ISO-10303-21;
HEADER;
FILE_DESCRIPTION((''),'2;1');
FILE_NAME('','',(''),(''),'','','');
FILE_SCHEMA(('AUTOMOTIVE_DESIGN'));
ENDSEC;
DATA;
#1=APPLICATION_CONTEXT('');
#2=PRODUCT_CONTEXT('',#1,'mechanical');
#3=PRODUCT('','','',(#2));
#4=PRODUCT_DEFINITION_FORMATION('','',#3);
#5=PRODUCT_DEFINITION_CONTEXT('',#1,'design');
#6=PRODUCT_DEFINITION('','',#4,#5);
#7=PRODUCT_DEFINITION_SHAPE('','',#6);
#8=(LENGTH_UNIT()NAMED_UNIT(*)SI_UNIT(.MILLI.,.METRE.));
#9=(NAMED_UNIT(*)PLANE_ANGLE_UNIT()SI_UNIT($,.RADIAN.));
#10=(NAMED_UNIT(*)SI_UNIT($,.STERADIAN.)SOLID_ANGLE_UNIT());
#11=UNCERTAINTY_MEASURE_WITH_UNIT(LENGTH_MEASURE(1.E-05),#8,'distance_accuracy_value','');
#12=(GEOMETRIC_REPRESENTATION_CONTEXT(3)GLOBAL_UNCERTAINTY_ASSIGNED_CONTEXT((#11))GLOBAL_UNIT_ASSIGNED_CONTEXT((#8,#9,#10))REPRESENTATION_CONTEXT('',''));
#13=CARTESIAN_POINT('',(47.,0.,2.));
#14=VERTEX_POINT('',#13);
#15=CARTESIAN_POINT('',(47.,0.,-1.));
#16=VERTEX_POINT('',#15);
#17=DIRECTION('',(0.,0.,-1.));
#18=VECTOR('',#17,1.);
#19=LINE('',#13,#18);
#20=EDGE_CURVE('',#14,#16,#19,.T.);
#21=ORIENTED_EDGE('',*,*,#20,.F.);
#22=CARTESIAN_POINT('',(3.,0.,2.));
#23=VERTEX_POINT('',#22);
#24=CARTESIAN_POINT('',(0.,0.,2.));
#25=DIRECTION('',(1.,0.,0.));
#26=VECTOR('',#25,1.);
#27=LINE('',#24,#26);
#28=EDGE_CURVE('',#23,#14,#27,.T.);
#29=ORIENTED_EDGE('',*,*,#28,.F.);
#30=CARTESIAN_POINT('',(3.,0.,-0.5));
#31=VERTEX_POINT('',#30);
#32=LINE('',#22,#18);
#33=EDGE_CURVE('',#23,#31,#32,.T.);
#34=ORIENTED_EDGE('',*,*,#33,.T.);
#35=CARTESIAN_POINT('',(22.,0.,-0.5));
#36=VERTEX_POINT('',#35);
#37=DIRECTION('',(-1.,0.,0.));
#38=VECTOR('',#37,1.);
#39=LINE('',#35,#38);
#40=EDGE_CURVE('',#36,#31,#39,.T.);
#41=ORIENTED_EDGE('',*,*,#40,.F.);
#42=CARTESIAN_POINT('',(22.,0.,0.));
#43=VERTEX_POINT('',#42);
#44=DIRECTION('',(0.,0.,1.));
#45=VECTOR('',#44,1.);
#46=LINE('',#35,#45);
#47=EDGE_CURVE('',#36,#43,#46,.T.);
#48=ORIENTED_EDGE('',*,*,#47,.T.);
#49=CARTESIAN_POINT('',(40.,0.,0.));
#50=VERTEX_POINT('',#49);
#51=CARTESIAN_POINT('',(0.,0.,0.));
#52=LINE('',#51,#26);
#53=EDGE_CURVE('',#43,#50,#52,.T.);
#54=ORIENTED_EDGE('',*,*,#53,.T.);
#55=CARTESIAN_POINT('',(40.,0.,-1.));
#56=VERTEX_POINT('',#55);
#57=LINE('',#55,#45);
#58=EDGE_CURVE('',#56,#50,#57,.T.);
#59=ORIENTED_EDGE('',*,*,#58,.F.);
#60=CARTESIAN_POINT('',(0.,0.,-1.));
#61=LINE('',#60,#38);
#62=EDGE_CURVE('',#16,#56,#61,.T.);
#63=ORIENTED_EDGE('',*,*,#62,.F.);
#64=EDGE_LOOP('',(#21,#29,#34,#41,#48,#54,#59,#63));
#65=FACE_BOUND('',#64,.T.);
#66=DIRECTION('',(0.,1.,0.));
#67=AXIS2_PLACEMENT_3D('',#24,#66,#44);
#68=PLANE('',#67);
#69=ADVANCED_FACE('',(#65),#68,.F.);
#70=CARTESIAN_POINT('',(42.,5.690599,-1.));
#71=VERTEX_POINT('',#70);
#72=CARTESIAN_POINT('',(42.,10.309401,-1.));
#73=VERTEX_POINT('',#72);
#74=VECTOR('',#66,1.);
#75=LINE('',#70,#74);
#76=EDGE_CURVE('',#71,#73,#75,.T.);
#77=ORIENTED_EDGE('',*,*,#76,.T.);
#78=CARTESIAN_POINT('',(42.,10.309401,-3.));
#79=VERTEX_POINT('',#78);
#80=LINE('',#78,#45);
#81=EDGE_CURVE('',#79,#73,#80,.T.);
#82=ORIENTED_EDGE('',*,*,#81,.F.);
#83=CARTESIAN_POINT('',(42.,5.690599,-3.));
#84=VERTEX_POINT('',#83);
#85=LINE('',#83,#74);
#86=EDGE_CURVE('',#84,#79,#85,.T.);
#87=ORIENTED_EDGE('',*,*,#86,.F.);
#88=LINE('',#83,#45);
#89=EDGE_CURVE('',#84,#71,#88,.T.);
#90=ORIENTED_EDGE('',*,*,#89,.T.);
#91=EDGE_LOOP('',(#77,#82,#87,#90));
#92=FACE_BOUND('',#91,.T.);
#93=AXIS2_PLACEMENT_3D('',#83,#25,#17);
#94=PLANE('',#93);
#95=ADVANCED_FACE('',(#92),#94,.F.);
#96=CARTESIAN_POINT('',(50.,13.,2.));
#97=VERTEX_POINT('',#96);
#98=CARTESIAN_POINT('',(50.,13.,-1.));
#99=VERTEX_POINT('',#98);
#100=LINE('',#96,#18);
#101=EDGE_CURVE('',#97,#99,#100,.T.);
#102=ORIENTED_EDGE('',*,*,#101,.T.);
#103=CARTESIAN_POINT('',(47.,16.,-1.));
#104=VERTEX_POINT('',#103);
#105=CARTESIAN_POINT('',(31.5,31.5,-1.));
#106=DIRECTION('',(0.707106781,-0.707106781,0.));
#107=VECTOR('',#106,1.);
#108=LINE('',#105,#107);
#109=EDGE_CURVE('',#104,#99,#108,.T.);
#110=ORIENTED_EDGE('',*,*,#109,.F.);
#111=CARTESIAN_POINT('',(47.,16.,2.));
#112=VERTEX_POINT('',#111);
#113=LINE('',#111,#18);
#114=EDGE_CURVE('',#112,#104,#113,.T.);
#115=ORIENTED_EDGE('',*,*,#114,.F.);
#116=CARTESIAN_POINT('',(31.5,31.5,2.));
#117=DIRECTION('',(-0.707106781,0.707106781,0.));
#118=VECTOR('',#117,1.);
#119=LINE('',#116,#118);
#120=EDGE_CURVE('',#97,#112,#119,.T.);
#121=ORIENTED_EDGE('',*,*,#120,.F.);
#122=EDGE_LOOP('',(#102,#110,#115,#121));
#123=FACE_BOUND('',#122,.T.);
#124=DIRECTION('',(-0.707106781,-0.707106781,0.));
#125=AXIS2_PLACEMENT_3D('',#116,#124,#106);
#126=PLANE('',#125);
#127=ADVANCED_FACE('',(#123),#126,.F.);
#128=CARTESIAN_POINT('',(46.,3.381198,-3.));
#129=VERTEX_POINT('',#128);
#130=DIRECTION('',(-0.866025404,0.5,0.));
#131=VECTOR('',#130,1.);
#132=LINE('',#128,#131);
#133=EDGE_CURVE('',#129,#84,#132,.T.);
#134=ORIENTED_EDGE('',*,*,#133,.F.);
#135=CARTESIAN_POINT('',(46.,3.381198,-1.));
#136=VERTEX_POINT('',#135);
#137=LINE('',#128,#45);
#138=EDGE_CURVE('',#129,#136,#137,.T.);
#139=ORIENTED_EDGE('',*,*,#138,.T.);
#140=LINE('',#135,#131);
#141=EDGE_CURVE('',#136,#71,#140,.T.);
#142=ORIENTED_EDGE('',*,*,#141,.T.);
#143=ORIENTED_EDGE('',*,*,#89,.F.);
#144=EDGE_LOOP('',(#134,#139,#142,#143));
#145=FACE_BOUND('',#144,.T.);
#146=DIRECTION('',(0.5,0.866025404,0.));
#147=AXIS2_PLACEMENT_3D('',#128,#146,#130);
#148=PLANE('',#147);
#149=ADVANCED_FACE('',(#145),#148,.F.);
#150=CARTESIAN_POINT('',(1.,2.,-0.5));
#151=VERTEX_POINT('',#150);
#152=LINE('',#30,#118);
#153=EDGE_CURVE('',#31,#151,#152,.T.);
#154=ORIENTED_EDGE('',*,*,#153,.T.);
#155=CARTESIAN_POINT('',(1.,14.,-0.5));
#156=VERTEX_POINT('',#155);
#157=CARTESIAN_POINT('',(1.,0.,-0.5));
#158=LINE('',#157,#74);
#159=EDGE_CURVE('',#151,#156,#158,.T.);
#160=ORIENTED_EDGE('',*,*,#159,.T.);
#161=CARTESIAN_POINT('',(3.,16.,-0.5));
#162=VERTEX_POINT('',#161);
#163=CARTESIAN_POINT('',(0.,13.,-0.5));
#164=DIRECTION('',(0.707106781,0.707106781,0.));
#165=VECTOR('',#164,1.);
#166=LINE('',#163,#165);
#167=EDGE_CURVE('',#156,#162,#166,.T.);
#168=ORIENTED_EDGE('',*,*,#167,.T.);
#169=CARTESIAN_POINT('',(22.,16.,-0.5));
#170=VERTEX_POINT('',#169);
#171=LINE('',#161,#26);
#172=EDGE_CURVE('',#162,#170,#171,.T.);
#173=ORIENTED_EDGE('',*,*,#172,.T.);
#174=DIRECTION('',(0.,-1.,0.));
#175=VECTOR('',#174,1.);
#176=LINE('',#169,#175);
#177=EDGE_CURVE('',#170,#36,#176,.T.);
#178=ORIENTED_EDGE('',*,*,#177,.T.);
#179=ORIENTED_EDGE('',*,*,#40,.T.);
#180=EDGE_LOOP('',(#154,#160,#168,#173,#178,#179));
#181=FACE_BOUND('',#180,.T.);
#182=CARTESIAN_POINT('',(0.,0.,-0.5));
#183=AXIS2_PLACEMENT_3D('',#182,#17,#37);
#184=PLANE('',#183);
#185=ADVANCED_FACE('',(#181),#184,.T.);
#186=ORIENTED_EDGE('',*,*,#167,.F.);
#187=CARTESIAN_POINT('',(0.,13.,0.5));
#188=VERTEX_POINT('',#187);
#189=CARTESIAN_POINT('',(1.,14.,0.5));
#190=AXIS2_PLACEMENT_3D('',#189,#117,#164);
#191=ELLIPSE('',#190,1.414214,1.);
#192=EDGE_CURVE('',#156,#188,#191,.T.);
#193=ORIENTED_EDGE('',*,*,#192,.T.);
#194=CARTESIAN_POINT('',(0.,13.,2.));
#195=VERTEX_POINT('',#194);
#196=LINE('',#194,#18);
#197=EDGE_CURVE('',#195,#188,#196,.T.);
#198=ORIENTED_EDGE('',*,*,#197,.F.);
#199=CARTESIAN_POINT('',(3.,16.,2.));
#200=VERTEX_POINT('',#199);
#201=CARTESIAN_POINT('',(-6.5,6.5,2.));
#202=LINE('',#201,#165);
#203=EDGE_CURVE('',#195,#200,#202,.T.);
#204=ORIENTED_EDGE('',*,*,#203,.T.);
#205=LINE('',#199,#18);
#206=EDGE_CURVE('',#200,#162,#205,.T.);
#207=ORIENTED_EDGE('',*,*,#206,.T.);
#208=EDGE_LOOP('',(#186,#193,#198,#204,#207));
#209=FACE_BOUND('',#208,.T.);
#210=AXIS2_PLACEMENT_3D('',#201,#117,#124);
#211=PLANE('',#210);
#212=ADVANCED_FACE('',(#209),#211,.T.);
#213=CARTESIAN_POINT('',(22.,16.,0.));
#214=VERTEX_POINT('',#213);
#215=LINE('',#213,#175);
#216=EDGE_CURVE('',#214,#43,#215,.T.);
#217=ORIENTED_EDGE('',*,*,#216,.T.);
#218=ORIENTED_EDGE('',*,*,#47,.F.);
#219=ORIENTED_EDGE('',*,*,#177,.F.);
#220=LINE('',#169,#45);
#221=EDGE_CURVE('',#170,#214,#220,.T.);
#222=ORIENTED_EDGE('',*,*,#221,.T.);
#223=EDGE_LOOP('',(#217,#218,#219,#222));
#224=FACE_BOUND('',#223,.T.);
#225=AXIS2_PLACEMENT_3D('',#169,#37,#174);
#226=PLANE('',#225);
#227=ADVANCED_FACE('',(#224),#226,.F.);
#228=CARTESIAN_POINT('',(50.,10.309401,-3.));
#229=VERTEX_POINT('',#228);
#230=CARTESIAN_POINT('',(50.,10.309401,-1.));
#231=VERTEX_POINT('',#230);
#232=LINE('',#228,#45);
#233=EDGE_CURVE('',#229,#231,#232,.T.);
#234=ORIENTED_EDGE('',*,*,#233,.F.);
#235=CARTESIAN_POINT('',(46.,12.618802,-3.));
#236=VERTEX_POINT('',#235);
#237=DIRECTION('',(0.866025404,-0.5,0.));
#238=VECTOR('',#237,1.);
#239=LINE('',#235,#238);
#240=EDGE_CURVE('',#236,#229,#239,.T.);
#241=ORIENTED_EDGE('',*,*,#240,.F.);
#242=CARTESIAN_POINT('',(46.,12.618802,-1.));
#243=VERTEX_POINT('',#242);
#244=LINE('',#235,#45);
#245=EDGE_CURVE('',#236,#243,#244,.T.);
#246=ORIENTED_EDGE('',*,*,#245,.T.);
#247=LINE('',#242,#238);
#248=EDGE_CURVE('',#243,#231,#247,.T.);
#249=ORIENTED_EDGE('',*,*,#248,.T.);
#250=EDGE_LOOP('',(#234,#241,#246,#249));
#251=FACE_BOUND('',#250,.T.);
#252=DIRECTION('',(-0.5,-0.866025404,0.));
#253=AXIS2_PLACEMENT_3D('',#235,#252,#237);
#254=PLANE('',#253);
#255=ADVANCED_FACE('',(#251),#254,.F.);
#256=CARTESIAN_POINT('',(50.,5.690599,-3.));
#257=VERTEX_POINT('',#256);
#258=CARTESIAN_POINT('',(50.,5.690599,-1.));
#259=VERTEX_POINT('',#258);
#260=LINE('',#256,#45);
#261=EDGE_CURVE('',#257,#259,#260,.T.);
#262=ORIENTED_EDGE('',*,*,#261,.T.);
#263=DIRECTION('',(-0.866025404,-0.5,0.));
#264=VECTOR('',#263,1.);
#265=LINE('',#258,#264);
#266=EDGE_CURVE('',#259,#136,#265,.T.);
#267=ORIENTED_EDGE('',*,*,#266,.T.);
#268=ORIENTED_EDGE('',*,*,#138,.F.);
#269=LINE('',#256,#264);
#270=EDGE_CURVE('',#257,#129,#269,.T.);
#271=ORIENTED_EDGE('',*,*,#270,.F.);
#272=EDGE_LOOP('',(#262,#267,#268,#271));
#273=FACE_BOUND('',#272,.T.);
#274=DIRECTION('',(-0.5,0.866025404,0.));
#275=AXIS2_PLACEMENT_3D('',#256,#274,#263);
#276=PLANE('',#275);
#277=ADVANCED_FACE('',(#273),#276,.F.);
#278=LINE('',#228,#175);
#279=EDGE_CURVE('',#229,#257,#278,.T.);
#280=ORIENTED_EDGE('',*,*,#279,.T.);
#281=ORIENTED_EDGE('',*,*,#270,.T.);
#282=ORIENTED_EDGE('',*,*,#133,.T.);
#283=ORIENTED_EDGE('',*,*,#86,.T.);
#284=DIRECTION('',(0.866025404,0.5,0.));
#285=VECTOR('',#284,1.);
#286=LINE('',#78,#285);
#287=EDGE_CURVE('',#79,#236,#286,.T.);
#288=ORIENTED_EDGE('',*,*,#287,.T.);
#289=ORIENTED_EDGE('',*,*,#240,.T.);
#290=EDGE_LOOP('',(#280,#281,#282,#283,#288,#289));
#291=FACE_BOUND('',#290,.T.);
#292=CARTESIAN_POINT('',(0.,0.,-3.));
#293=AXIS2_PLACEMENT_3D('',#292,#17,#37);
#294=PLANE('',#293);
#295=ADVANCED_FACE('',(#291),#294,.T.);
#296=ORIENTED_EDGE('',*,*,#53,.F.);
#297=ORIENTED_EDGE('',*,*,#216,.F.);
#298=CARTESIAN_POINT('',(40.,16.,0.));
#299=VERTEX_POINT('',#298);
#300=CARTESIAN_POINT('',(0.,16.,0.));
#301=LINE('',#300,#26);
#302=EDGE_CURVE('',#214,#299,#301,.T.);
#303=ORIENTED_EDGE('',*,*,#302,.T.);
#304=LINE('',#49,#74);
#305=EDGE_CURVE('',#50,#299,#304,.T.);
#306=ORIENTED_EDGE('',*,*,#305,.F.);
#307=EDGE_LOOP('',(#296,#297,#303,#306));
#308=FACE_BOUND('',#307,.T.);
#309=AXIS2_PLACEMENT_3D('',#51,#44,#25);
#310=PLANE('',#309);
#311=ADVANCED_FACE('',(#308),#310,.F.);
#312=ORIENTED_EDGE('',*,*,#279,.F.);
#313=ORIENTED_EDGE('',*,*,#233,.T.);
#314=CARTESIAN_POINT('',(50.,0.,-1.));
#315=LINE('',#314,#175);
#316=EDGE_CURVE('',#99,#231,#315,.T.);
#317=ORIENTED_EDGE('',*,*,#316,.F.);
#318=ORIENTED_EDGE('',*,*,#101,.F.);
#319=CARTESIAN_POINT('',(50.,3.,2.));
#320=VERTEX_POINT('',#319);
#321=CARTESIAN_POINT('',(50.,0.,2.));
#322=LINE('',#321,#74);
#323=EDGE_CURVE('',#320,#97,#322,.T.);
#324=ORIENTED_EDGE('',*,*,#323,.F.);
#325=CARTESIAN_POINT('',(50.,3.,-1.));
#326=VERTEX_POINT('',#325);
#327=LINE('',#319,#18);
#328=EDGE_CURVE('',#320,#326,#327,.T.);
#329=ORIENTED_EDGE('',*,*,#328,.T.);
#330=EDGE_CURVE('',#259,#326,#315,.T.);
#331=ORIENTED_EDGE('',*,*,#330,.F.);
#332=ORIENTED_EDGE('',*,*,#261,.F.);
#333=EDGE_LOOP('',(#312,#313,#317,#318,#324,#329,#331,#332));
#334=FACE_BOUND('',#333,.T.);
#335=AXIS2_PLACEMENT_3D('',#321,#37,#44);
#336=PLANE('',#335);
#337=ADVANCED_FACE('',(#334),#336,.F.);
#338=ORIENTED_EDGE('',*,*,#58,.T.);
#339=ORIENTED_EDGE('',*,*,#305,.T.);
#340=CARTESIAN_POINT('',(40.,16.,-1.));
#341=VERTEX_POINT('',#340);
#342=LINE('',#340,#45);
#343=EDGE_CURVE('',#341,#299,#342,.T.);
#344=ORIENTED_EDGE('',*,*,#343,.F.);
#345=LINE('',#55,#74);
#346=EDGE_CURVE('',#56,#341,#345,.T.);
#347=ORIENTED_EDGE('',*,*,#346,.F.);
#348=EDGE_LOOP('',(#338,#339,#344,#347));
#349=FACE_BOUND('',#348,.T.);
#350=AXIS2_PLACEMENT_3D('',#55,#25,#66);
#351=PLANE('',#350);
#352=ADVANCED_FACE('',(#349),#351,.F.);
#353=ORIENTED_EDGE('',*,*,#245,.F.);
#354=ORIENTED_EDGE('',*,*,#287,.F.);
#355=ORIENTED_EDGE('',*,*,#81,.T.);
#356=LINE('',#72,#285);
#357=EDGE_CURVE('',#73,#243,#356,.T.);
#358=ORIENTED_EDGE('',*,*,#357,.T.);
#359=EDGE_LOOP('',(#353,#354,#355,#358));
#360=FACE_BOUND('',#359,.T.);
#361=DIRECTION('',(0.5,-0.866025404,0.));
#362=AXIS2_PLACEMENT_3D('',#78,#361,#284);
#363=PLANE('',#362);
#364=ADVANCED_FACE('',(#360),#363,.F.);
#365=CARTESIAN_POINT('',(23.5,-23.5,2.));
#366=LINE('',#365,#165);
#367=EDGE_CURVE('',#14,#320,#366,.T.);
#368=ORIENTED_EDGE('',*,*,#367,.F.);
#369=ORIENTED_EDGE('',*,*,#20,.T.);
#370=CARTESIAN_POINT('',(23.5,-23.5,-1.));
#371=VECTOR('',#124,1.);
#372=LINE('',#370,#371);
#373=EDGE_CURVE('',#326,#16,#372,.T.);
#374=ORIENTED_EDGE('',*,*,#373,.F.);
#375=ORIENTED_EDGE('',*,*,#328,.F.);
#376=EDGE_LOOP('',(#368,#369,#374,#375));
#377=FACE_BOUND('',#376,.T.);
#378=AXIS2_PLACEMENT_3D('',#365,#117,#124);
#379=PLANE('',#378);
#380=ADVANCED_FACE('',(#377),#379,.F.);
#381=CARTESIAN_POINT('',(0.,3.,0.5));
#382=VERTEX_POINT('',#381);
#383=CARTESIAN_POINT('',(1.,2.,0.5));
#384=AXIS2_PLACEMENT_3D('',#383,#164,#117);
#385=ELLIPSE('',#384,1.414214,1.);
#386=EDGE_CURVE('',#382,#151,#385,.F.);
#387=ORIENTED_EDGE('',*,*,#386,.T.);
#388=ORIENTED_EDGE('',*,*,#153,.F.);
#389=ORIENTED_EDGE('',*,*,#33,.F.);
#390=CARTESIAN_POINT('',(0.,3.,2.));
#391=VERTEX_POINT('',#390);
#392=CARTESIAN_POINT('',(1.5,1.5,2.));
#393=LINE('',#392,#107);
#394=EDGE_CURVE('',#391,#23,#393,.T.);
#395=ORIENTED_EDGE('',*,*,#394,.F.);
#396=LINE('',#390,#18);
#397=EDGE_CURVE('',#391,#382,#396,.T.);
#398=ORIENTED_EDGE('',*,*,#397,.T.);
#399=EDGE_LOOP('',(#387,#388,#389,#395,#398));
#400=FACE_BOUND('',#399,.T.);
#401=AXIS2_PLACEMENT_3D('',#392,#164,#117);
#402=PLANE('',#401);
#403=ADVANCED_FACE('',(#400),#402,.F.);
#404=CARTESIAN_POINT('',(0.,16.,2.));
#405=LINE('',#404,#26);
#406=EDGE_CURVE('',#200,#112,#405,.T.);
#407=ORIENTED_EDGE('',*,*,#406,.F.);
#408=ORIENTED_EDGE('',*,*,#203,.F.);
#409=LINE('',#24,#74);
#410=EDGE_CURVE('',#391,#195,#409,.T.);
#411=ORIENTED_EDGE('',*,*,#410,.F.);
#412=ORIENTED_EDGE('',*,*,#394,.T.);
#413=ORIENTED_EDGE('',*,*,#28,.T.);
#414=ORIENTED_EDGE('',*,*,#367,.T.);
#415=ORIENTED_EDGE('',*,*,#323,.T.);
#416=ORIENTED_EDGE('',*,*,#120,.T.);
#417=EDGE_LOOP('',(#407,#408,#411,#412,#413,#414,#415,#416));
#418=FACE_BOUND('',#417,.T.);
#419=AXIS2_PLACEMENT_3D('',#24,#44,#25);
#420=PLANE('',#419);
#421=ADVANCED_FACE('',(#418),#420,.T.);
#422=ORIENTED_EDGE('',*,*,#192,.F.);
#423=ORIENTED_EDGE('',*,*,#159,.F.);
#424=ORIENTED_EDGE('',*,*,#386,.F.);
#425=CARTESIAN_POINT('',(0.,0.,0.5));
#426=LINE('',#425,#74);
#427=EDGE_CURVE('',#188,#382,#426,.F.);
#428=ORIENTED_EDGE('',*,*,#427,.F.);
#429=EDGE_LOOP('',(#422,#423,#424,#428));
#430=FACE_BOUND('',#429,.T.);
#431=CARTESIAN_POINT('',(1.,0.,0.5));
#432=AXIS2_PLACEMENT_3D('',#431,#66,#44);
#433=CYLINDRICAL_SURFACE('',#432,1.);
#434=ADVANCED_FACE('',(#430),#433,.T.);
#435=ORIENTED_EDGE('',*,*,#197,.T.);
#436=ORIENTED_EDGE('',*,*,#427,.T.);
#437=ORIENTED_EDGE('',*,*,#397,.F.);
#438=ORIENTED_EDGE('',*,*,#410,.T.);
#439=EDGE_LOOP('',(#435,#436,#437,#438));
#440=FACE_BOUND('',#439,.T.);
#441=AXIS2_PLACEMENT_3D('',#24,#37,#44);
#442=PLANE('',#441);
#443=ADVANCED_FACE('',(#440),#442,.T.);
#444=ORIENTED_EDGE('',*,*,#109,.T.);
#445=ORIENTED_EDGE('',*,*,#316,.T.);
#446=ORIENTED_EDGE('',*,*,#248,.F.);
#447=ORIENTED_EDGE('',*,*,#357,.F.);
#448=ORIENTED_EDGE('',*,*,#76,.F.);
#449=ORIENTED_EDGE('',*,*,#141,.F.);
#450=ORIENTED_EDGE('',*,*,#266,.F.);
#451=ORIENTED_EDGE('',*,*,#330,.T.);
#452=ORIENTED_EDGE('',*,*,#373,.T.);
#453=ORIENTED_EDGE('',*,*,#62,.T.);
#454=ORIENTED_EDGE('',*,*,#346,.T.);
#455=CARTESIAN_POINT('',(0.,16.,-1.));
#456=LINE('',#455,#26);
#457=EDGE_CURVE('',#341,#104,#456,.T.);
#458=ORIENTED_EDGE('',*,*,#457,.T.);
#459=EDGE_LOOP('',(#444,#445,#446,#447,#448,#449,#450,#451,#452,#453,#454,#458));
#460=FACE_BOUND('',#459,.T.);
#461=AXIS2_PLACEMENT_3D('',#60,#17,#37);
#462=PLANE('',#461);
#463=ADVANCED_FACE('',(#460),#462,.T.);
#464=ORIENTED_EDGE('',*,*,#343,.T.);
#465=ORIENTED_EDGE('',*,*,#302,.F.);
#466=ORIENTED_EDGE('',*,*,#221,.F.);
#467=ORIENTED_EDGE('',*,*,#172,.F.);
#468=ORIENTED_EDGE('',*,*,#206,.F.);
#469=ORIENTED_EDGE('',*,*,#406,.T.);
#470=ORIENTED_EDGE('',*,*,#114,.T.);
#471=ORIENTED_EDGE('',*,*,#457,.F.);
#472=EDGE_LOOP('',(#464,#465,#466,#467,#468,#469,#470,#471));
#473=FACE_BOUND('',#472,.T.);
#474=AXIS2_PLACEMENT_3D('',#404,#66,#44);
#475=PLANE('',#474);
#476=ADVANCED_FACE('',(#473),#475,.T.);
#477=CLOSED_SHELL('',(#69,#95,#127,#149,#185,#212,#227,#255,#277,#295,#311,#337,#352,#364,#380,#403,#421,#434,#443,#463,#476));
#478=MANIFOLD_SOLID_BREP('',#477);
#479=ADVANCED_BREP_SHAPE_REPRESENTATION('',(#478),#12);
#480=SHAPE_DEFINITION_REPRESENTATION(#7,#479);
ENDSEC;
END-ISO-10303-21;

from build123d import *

# Parameters (mm, degrees)
EXTRUDE_1_DEPTH = 2
EXTRUDE_3_DEPTH = 0.5
FILLET_1_R      = 1
EXTRUDE_4_DEPTH = 1
EXTRUDE_5_DEPTH = 2


with BuildPart() as part:
    # 스케치1 → 보스-돌출1 (new body)
    with BuildSketch(Plane.XY):
        Polygon((3, 16), (0, 13), (0, 3), (3, 0), (47, 0), (50, 3), (50, 13), (47, 16), align=None)
    extrude(amount=EXTRUDE_1_DEPTH)

    # 스케치3 → 보스-돌출3 (add)
    with BuildSketch(Plane(origin=(0, 0, 0), x_dir=(-1, 0, 0), z_dir=(0, 0, -1))):
        Polygon((0, 13), (-3, 16), (-22, 16), (-22, 0), (-3, 0), (0, 3), align=None)
    extrude(amount=EXTRUDE_3_DEPTH)

    # 필렛1
    fillet_1_edges = [part.edges().sort_by_distance(p)[0] for p in [
        (0, 8, -0.5),
    ]]
    fillet(fillet_1_edges, radius=FILLET_1_R)

    # 스케치2 → 보스-돌출4 (add)
    with BuildSketch(Plane(origin=(0, 0, 0), x_dir=(-1, 0, 0), z_dir=(0, 0, -1))):
        Polygon((-47, 0), (-40, 0), (-40, 16), (-47, 16), (-50, 13), (-50, 3), align=None)
    extrude(amount=EXTRUDE_4_DEPTH)

    # 스케치4 → 보스-돌출5 (add)
    with BuildSketch(Plane(origin=(0, 0, -1), x_dir=(-1, 0, 0), z_dir=(0, 0, -1))):
        Polygon((-46, 12.618802154), (-50, 10.309401077), (-50, 5.690598923), (-46, 3.381197846), (-42, 5.690598923), (-42, 10.309401077), align=None)
    extrude(amount=EXTRUDE_5_DEPTH)


solid = part.part
